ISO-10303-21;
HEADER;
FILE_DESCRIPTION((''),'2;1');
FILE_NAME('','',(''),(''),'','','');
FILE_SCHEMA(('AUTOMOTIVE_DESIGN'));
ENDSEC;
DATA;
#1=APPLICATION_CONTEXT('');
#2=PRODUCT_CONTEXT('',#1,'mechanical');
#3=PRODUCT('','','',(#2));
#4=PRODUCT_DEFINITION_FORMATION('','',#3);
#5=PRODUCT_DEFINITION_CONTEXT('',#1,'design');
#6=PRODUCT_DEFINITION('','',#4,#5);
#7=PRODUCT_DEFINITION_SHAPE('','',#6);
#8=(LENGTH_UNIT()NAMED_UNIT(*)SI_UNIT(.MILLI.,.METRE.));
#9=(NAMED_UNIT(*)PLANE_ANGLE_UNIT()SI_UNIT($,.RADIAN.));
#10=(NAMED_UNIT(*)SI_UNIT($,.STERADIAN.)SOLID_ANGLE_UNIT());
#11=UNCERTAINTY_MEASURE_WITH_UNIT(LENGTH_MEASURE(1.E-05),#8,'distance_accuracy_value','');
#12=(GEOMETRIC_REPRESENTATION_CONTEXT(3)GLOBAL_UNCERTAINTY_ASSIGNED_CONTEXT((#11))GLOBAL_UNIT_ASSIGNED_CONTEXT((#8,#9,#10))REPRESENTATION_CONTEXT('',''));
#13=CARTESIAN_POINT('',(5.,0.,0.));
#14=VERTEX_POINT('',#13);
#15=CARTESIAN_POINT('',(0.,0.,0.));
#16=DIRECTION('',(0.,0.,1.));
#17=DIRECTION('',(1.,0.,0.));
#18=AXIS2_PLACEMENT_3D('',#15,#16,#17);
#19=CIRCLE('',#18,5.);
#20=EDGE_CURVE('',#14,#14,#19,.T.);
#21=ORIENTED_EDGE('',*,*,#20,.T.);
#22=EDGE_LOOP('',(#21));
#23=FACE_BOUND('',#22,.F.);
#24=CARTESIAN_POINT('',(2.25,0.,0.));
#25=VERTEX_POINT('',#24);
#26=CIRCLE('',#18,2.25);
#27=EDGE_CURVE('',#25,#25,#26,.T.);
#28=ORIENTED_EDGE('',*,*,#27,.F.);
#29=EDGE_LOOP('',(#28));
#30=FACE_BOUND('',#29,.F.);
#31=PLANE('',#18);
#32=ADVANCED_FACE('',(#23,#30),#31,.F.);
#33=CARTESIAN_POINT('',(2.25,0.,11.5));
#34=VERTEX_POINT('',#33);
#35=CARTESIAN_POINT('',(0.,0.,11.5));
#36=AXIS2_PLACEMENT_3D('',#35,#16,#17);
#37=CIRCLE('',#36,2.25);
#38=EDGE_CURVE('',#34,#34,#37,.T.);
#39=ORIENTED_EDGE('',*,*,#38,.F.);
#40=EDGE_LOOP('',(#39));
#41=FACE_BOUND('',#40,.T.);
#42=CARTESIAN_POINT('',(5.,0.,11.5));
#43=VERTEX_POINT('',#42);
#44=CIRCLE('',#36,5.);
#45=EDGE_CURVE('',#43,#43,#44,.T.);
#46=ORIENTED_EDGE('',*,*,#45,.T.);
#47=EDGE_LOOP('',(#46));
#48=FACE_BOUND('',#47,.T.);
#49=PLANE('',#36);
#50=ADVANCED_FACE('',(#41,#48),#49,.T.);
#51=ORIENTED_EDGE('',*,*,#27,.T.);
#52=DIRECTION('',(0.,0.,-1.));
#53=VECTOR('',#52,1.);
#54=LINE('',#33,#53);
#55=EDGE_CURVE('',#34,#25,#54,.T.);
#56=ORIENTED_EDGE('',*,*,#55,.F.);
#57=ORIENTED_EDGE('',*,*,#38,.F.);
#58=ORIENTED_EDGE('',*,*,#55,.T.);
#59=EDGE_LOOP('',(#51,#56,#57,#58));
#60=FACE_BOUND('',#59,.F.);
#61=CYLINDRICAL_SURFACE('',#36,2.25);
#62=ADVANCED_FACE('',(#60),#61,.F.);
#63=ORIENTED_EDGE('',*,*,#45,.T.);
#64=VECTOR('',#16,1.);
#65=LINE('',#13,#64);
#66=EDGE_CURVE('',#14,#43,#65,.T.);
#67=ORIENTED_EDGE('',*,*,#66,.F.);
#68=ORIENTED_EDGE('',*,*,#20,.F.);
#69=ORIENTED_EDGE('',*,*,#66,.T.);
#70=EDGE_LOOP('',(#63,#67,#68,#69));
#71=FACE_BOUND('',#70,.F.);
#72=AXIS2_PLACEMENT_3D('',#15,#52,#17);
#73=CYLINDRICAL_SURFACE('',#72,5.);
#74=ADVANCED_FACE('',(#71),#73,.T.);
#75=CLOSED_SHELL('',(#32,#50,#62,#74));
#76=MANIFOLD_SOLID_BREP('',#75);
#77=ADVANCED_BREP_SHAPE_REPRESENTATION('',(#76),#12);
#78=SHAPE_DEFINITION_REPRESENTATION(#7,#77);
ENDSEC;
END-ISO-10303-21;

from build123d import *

# Parameters (mm, degrees)
SKETCH_R     = 5
PAD_DEPTH    = 11.5
SKETCH001_R  = 2.25
POCKET_DEPTH = 11.501


with BuildPart() as part:
    # Sketch → Pad (new body)
    with BuildSketch(Plane.XY):
        Circle(SKETCH_R)
    extrude(amount=PAD_DEPTH)

    # Sketch001 → Pocket (cut, through all)
    with BuildSketch(Plane.XY.offset(11.5)):
        Circle(SKETCH001_R)
    extrude(amount=-POCKET_DEPTH, mode=Mode.SUBTRACT)


solid = part.part
